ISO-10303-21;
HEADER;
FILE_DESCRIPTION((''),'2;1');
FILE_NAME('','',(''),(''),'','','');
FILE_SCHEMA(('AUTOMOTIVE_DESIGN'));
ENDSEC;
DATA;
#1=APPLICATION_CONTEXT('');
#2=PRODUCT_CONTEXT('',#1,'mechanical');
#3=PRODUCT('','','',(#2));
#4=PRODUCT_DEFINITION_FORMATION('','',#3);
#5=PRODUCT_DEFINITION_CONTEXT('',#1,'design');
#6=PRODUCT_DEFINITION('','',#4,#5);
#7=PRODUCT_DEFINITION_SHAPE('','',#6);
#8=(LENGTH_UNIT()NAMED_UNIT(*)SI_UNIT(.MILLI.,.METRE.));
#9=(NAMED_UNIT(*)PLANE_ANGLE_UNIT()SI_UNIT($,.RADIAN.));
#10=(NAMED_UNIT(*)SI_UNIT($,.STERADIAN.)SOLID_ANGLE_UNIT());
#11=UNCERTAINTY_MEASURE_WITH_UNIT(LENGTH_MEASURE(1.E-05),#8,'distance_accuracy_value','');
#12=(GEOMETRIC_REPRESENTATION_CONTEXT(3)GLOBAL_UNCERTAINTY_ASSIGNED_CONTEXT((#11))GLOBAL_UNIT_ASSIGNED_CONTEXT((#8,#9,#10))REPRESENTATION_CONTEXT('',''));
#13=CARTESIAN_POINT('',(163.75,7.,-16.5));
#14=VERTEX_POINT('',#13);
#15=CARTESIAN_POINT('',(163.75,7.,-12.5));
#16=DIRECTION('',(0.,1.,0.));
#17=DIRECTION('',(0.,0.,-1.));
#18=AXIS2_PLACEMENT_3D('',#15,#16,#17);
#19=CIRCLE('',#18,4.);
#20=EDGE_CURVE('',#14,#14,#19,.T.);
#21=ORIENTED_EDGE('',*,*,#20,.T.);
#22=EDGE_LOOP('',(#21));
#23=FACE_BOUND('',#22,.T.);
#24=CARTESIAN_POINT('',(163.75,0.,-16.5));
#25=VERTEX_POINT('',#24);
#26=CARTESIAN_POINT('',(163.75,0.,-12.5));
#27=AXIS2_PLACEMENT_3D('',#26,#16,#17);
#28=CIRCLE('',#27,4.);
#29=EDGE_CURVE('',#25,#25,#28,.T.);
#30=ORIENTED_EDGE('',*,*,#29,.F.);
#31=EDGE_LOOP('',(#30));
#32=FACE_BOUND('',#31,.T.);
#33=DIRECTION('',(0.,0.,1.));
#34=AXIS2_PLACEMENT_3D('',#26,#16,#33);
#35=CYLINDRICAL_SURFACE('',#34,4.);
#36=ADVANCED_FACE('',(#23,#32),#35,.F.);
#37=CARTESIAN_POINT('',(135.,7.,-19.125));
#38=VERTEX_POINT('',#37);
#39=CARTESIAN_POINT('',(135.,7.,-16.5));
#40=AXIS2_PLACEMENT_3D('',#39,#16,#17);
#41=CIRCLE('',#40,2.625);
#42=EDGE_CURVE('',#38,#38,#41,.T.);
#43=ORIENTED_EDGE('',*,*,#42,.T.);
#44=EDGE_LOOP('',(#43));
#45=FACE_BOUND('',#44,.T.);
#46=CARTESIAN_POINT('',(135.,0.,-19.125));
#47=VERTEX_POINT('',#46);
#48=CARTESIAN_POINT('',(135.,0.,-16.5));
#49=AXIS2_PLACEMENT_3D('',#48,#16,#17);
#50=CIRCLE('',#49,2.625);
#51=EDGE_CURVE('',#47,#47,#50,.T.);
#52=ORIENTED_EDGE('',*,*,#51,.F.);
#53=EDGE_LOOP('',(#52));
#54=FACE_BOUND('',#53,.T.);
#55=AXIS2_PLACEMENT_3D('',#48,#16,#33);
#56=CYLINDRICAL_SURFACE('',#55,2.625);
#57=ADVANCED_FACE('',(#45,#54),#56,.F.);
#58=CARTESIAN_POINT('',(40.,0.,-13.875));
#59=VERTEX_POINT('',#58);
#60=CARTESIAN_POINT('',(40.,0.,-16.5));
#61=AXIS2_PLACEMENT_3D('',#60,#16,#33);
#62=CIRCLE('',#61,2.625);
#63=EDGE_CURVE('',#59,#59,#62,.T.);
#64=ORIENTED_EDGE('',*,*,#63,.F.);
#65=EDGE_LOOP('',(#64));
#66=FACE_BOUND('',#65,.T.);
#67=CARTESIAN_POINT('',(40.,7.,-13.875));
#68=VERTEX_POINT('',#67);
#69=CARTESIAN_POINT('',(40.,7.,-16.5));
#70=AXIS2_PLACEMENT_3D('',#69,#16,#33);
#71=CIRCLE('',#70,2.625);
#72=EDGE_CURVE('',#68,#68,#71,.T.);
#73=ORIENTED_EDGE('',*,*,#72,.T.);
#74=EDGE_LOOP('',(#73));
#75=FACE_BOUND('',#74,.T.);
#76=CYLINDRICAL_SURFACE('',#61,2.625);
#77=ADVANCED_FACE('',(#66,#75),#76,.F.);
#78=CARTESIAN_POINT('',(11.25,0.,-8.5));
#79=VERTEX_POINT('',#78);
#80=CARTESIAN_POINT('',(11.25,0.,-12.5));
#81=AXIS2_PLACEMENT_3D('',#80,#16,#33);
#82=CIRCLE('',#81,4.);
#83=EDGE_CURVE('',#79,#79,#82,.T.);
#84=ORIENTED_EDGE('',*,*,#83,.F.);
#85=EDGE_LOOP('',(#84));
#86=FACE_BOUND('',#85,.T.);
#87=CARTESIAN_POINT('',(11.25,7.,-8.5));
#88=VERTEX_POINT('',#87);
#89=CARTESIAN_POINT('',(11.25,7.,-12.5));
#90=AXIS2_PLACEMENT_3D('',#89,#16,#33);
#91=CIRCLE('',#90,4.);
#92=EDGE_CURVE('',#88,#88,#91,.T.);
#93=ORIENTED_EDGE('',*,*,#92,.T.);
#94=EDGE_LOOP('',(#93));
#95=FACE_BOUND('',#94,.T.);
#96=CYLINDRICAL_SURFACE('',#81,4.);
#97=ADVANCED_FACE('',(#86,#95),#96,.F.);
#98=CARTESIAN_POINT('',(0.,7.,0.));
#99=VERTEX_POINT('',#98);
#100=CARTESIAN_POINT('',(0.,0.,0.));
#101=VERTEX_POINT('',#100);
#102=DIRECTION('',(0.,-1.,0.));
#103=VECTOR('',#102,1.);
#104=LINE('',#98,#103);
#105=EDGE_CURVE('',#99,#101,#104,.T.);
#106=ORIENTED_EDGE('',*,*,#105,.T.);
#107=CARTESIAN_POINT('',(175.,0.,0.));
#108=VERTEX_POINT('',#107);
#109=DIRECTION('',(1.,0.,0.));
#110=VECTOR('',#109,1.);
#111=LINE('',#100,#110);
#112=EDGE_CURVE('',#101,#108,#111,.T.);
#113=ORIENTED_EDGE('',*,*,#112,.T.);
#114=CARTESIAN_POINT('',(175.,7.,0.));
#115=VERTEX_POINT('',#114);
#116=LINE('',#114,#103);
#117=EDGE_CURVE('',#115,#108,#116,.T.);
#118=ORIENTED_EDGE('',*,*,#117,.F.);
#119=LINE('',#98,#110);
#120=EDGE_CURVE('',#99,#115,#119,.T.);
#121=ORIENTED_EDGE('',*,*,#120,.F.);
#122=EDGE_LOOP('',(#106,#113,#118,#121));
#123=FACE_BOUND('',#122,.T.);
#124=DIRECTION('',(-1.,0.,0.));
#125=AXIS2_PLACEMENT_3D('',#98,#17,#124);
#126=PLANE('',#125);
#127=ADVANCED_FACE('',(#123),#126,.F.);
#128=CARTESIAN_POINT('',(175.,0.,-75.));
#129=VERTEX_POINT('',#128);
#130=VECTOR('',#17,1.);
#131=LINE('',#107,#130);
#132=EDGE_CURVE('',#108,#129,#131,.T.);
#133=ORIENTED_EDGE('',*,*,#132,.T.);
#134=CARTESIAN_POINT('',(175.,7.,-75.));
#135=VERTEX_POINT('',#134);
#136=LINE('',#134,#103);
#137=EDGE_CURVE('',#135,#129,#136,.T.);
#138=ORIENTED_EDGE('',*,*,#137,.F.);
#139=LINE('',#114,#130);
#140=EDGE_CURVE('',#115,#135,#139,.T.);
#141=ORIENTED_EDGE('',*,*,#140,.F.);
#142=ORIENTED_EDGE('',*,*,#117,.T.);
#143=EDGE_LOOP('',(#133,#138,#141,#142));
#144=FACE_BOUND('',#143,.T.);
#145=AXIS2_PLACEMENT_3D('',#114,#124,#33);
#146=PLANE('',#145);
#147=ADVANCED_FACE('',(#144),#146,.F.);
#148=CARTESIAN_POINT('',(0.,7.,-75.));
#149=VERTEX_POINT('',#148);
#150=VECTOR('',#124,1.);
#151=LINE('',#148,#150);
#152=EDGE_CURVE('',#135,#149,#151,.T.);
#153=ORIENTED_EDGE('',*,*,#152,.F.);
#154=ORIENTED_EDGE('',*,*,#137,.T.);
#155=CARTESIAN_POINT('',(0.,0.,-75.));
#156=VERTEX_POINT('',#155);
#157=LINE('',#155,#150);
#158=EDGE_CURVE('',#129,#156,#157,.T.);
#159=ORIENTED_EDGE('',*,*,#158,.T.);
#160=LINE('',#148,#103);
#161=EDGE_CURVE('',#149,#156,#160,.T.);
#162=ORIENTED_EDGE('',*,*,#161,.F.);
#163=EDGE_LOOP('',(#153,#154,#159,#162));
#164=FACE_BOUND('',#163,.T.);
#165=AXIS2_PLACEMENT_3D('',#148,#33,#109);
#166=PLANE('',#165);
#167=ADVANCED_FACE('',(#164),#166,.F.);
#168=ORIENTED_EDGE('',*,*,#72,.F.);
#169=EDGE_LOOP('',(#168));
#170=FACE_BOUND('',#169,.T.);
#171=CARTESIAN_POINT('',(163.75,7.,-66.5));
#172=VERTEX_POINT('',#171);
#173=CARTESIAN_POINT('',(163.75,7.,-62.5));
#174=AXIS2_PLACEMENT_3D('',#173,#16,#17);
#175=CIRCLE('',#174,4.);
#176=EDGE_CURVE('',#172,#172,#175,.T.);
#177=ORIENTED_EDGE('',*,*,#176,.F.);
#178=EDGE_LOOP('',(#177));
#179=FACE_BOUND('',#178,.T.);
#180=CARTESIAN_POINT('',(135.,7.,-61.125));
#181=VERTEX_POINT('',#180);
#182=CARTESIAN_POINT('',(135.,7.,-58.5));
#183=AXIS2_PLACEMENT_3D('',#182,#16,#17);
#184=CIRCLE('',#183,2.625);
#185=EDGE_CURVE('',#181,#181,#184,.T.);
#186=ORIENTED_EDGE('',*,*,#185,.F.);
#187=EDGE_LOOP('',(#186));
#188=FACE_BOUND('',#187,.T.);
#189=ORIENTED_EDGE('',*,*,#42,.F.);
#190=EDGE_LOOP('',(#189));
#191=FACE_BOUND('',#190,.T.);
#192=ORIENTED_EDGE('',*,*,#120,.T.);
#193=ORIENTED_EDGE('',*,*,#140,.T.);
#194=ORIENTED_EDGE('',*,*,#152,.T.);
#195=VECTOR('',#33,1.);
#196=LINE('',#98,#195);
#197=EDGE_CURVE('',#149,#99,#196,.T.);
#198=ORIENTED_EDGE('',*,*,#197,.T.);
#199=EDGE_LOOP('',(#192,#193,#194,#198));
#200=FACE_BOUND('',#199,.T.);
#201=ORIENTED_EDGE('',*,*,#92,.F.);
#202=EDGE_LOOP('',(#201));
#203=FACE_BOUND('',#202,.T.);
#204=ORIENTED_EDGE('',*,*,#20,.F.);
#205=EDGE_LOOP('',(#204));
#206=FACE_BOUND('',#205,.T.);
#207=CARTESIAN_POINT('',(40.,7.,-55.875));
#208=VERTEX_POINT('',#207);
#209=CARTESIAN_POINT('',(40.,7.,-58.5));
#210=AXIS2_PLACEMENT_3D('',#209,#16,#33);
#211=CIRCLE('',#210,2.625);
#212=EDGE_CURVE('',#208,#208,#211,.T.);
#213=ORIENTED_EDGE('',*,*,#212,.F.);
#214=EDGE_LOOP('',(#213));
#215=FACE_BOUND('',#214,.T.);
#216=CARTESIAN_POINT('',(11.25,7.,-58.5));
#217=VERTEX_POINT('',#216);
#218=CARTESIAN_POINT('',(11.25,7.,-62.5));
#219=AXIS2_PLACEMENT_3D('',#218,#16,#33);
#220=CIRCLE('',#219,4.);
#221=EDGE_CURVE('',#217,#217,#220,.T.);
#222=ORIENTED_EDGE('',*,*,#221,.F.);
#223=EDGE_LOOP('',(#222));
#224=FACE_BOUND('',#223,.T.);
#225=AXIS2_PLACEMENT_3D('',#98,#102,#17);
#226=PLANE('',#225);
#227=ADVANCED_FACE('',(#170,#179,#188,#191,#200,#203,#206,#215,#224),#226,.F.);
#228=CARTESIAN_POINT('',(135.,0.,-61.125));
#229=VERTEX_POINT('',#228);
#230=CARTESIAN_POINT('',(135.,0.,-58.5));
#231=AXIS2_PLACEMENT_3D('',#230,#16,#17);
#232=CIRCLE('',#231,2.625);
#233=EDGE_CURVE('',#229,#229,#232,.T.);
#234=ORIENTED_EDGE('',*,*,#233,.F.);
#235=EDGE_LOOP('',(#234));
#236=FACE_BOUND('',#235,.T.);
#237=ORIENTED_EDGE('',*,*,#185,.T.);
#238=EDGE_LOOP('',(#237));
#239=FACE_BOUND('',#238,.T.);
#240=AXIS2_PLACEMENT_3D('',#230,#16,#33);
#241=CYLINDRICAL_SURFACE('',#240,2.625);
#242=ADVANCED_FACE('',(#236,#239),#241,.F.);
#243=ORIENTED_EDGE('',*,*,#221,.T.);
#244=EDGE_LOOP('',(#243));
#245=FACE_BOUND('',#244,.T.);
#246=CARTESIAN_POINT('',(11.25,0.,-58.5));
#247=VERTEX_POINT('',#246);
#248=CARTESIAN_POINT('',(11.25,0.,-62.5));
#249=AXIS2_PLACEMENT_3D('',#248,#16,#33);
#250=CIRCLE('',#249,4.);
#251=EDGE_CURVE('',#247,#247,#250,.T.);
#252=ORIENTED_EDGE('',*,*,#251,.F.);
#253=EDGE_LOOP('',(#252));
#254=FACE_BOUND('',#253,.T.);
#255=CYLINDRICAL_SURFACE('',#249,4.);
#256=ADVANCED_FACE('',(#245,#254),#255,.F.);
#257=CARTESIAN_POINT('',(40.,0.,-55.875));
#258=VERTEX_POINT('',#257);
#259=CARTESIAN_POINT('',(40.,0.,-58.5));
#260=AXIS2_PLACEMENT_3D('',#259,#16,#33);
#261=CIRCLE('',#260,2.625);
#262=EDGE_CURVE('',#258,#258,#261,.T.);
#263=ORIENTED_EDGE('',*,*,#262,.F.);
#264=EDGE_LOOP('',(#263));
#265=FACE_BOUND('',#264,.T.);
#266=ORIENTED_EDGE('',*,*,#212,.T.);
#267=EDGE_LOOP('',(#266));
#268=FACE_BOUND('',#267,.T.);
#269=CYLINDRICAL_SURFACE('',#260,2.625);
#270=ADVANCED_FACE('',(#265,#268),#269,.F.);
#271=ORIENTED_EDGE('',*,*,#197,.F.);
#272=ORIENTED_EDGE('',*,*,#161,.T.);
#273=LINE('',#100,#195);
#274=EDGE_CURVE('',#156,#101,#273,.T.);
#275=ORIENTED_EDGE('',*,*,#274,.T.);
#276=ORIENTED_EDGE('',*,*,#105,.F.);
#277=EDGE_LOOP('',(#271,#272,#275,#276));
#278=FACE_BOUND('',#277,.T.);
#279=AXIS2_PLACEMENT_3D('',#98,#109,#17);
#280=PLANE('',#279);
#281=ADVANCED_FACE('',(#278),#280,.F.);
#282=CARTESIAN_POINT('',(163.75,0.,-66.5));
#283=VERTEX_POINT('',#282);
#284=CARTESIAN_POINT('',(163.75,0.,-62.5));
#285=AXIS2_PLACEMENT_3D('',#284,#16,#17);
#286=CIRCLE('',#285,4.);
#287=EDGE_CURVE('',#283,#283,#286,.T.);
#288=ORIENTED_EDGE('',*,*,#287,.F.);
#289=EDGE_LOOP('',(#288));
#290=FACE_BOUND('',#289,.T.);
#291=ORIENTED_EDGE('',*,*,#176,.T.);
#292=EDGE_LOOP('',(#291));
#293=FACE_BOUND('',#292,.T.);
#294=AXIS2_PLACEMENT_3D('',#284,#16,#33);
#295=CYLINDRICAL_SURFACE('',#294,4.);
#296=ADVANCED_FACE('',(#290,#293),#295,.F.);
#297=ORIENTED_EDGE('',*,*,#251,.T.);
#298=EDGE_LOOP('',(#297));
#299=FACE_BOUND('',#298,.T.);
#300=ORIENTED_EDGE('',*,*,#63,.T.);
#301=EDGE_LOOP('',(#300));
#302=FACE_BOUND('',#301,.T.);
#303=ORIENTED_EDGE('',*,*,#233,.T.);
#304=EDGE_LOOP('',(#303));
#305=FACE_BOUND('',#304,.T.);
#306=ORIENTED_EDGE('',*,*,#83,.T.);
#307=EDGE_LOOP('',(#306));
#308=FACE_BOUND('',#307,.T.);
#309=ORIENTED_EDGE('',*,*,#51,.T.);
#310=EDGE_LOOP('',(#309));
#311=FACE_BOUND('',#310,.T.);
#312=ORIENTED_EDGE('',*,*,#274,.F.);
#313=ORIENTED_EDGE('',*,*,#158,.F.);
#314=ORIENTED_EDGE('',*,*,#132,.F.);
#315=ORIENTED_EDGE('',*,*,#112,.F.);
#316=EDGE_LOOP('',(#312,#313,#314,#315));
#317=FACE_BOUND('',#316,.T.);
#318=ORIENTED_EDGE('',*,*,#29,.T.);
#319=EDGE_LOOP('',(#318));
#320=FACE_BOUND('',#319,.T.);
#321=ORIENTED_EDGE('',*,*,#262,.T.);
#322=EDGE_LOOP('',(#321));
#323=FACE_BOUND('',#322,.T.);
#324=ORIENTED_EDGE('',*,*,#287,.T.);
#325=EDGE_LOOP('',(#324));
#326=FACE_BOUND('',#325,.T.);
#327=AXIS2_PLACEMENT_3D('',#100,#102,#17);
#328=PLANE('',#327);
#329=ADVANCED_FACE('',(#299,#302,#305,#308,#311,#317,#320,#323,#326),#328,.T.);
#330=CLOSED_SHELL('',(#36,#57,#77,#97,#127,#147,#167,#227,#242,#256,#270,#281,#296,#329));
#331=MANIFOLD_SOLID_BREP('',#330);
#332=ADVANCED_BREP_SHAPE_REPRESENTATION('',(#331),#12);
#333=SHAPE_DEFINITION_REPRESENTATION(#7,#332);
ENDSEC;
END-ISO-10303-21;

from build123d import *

# Parameters (mm, degrees)
SKETCH1_W           = 175
SKETCH1_H           = 75
BOSS_EXTRUDE1_DEPTH = 7
SKETCH2_R           = 4
SKETCH2_R_2         = 2.625
CUT_EXTRUDE1_DEPTH  = 191.522964495


with BuildPart() as part:
    # Sketch1 → Boss-Extrude1 (new body)
    with BuildSketch(Plane(origin=(0, 0, 0), x_dir=(1, 0, 0), z_dir=(0, 1, 0))):
        with Locations((87.5, 37.5)):
            Rectangle(SKETCH1_W, SKETCH1_H)
    extrude(amount=BOSS_EXTRUDE1_DEPTH)

    # Sketch2 → Cut-Extrude1 (cut, through all)
    with BuildSketch(Plane(origin=(0, 7, 0), x_dir=(1, 0, 0), z_dir=(0, 1, 0))):
        with Locations(Location((11.25, 62.5, 0), (0, 0, 270))):
            Circle(SKETCH2_R)
        with Locations(Location((11.25, 12.5, 0), (0, 0, 270))):
            Circle(SKETCH2_R)
        with Locations(Location((163.75, 12.5, 0), (0, 0, 90))):
            Circle(SKETCH2_R)
        with Locations(Location((163.75, 62.5, 0), (0, 0, 90))):
            Circle(SKETCH2_R)
        with Locations(Location((40, 58.5, 0), (0, 0, 270))):
            Circle(SKETCH2_R_2)
        with Locations(Location((40, 16.5, 0), (0, 0, 270))):
            Circle(SKETCH2_R_2)
        with Locations(Location((135, 16.5, 0), (0, 0, 90))):
            Circle(SKETCH2_R_2)
        with Locations(Location((135, 58.5, 0), (0, 0, 90))):
            Circle(SKETCH2_R_2)
    extrude(amount=-CUT_EXTRUDE1_DEPTH, mode=Mode.SUBTRACT)


solid = part.part
